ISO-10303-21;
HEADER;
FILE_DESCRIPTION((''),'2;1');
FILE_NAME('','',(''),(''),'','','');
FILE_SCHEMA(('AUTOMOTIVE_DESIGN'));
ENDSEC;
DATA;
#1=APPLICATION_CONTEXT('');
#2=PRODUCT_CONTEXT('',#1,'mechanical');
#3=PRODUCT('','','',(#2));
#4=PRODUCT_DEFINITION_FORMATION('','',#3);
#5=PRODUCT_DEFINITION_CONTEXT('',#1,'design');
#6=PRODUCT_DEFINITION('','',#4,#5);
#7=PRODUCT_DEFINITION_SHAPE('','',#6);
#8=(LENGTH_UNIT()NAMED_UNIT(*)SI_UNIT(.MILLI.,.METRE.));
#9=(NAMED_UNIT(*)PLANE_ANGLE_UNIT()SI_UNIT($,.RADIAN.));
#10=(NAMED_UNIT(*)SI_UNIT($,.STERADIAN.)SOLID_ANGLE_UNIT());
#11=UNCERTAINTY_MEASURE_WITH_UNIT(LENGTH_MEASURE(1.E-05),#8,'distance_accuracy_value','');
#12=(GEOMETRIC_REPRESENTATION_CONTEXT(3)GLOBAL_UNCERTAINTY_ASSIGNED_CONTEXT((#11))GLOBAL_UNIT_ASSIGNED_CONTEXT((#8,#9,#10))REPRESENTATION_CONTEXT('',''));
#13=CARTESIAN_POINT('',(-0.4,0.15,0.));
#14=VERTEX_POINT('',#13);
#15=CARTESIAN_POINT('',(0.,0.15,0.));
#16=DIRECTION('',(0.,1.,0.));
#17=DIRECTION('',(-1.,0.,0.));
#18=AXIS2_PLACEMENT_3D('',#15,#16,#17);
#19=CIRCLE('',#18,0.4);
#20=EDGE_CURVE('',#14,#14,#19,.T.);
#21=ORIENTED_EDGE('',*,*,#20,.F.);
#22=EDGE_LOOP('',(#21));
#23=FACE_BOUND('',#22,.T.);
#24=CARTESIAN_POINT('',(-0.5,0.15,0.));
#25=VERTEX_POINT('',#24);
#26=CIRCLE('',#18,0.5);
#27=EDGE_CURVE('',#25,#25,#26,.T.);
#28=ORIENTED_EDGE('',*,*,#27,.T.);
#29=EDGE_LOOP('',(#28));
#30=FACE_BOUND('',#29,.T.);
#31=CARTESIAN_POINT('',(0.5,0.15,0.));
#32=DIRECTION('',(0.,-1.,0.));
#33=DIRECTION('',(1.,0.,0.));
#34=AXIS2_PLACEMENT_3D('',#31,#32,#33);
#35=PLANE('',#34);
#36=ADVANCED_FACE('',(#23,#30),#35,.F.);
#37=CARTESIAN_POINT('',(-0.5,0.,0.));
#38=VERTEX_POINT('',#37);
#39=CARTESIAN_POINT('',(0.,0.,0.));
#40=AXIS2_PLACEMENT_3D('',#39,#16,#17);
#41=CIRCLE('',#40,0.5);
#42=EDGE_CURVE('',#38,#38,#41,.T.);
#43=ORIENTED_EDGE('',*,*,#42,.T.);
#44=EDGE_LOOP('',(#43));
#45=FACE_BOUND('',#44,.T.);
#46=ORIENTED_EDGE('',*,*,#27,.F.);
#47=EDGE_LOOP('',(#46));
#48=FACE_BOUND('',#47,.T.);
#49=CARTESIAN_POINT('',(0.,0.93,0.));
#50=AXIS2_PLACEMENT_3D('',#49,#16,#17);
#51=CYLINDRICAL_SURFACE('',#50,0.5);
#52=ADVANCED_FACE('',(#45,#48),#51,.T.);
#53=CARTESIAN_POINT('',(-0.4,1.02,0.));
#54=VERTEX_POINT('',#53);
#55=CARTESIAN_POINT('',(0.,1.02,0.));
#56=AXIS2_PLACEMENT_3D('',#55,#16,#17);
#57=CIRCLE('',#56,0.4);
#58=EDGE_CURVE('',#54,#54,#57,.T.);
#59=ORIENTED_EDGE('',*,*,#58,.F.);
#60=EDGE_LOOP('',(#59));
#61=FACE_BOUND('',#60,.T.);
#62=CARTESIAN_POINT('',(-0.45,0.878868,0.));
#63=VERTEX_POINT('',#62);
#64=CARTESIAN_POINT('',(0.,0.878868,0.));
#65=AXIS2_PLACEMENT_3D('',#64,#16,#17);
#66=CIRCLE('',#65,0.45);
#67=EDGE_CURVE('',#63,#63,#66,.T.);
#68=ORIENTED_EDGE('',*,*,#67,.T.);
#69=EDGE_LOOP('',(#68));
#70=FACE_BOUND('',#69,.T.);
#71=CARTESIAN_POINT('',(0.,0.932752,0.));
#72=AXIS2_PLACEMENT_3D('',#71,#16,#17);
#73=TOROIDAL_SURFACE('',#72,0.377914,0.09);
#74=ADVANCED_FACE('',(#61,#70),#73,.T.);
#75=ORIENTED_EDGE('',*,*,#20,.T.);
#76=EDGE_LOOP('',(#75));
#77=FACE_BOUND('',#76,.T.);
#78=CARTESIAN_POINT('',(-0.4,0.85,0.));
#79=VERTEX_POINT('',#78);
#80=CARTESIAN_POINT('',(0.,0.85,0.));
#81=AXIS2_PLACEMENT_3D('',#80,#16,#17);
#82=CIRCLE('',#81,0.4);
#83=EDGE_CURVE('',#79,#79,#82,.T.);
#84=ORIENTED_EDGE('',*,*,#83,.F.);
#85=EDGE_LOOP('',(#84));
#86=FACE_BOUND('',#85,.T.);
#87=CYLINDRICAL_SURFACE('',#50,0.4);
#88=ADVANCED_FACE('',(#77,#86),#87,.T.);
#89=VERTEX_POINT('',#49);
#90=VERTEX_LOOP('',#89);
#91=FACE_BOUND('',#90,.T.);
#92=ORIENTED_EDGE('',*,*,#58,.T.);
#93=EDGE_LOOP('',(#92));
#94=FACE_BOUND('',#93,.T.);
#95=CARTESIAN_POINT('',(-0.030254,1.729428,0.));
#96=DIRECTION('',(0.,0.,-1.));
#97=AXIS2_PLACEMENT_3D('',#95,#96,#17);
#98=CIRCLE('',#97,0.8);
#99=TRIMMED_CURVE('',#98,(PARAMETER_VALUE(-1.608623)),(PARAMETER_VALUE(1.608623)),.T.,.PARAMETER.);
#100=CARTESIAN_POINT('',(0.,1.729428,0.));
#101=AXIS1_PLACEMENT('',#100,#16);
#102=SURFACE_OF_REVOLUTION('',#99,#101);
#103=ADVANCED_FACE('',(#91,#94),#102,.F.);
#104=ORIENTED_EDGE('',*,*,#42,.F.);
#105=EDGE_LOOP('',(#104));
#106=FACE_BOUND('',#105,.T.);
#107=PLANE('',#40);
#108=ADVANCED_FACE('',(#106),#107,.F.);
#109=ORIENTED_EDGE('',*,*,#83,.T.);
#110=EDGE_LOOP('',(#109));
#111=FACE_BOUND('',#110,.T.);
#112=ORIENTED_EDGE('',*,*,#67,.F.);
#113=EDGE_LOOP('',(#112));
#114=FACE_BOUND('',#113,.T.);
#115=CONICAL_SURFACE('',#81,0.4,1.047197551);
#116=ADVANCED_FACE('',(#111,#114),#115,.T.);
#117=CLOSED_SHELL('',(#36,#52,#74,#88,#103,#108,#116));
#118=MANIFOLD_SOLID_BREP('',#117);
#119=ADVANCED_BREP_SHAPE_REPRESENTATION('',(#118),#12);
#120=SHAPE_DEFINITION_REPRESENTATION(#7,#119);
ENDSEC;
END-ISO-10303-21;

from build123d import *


with BuildPart() as part:
    # Sketch1 → Revolve1 (revolve)
    with BuildSketch(Plane.XY, mode=Mode.PRIVATE) as revolve1_sk:
        with BuildLine():
            Line((0, 0), (0, 0.85))
            Line((0, 0.85), (0, 0.93))
            ThreePointArc((0, 0.93), (0.205863515, 0.948939934), (0.4, 1.02))
            ThreePointArc((0.4, 1.02), (0.462747108, 0.962806691), (0.45, 0.878867513))
            Line((0.45, 0.878867513), (0.4, 0.85))
            Line((0.4, 0.85), (0.4, 0.15))
            Line((0.4, 0.15), (0.5, 0.15))
            Line((0.5, 0.15), (0.5, 0))
            Line((0.5, 0), (0, 0))
        make_face()
    revolve(revolve1_sk.sketch.rotate(Axis((0, 0.93, 0), (0, -1, 0)), 180), axis=Axis((0, 0.93, 0), (0, -1, 0)))


solid = part.part
